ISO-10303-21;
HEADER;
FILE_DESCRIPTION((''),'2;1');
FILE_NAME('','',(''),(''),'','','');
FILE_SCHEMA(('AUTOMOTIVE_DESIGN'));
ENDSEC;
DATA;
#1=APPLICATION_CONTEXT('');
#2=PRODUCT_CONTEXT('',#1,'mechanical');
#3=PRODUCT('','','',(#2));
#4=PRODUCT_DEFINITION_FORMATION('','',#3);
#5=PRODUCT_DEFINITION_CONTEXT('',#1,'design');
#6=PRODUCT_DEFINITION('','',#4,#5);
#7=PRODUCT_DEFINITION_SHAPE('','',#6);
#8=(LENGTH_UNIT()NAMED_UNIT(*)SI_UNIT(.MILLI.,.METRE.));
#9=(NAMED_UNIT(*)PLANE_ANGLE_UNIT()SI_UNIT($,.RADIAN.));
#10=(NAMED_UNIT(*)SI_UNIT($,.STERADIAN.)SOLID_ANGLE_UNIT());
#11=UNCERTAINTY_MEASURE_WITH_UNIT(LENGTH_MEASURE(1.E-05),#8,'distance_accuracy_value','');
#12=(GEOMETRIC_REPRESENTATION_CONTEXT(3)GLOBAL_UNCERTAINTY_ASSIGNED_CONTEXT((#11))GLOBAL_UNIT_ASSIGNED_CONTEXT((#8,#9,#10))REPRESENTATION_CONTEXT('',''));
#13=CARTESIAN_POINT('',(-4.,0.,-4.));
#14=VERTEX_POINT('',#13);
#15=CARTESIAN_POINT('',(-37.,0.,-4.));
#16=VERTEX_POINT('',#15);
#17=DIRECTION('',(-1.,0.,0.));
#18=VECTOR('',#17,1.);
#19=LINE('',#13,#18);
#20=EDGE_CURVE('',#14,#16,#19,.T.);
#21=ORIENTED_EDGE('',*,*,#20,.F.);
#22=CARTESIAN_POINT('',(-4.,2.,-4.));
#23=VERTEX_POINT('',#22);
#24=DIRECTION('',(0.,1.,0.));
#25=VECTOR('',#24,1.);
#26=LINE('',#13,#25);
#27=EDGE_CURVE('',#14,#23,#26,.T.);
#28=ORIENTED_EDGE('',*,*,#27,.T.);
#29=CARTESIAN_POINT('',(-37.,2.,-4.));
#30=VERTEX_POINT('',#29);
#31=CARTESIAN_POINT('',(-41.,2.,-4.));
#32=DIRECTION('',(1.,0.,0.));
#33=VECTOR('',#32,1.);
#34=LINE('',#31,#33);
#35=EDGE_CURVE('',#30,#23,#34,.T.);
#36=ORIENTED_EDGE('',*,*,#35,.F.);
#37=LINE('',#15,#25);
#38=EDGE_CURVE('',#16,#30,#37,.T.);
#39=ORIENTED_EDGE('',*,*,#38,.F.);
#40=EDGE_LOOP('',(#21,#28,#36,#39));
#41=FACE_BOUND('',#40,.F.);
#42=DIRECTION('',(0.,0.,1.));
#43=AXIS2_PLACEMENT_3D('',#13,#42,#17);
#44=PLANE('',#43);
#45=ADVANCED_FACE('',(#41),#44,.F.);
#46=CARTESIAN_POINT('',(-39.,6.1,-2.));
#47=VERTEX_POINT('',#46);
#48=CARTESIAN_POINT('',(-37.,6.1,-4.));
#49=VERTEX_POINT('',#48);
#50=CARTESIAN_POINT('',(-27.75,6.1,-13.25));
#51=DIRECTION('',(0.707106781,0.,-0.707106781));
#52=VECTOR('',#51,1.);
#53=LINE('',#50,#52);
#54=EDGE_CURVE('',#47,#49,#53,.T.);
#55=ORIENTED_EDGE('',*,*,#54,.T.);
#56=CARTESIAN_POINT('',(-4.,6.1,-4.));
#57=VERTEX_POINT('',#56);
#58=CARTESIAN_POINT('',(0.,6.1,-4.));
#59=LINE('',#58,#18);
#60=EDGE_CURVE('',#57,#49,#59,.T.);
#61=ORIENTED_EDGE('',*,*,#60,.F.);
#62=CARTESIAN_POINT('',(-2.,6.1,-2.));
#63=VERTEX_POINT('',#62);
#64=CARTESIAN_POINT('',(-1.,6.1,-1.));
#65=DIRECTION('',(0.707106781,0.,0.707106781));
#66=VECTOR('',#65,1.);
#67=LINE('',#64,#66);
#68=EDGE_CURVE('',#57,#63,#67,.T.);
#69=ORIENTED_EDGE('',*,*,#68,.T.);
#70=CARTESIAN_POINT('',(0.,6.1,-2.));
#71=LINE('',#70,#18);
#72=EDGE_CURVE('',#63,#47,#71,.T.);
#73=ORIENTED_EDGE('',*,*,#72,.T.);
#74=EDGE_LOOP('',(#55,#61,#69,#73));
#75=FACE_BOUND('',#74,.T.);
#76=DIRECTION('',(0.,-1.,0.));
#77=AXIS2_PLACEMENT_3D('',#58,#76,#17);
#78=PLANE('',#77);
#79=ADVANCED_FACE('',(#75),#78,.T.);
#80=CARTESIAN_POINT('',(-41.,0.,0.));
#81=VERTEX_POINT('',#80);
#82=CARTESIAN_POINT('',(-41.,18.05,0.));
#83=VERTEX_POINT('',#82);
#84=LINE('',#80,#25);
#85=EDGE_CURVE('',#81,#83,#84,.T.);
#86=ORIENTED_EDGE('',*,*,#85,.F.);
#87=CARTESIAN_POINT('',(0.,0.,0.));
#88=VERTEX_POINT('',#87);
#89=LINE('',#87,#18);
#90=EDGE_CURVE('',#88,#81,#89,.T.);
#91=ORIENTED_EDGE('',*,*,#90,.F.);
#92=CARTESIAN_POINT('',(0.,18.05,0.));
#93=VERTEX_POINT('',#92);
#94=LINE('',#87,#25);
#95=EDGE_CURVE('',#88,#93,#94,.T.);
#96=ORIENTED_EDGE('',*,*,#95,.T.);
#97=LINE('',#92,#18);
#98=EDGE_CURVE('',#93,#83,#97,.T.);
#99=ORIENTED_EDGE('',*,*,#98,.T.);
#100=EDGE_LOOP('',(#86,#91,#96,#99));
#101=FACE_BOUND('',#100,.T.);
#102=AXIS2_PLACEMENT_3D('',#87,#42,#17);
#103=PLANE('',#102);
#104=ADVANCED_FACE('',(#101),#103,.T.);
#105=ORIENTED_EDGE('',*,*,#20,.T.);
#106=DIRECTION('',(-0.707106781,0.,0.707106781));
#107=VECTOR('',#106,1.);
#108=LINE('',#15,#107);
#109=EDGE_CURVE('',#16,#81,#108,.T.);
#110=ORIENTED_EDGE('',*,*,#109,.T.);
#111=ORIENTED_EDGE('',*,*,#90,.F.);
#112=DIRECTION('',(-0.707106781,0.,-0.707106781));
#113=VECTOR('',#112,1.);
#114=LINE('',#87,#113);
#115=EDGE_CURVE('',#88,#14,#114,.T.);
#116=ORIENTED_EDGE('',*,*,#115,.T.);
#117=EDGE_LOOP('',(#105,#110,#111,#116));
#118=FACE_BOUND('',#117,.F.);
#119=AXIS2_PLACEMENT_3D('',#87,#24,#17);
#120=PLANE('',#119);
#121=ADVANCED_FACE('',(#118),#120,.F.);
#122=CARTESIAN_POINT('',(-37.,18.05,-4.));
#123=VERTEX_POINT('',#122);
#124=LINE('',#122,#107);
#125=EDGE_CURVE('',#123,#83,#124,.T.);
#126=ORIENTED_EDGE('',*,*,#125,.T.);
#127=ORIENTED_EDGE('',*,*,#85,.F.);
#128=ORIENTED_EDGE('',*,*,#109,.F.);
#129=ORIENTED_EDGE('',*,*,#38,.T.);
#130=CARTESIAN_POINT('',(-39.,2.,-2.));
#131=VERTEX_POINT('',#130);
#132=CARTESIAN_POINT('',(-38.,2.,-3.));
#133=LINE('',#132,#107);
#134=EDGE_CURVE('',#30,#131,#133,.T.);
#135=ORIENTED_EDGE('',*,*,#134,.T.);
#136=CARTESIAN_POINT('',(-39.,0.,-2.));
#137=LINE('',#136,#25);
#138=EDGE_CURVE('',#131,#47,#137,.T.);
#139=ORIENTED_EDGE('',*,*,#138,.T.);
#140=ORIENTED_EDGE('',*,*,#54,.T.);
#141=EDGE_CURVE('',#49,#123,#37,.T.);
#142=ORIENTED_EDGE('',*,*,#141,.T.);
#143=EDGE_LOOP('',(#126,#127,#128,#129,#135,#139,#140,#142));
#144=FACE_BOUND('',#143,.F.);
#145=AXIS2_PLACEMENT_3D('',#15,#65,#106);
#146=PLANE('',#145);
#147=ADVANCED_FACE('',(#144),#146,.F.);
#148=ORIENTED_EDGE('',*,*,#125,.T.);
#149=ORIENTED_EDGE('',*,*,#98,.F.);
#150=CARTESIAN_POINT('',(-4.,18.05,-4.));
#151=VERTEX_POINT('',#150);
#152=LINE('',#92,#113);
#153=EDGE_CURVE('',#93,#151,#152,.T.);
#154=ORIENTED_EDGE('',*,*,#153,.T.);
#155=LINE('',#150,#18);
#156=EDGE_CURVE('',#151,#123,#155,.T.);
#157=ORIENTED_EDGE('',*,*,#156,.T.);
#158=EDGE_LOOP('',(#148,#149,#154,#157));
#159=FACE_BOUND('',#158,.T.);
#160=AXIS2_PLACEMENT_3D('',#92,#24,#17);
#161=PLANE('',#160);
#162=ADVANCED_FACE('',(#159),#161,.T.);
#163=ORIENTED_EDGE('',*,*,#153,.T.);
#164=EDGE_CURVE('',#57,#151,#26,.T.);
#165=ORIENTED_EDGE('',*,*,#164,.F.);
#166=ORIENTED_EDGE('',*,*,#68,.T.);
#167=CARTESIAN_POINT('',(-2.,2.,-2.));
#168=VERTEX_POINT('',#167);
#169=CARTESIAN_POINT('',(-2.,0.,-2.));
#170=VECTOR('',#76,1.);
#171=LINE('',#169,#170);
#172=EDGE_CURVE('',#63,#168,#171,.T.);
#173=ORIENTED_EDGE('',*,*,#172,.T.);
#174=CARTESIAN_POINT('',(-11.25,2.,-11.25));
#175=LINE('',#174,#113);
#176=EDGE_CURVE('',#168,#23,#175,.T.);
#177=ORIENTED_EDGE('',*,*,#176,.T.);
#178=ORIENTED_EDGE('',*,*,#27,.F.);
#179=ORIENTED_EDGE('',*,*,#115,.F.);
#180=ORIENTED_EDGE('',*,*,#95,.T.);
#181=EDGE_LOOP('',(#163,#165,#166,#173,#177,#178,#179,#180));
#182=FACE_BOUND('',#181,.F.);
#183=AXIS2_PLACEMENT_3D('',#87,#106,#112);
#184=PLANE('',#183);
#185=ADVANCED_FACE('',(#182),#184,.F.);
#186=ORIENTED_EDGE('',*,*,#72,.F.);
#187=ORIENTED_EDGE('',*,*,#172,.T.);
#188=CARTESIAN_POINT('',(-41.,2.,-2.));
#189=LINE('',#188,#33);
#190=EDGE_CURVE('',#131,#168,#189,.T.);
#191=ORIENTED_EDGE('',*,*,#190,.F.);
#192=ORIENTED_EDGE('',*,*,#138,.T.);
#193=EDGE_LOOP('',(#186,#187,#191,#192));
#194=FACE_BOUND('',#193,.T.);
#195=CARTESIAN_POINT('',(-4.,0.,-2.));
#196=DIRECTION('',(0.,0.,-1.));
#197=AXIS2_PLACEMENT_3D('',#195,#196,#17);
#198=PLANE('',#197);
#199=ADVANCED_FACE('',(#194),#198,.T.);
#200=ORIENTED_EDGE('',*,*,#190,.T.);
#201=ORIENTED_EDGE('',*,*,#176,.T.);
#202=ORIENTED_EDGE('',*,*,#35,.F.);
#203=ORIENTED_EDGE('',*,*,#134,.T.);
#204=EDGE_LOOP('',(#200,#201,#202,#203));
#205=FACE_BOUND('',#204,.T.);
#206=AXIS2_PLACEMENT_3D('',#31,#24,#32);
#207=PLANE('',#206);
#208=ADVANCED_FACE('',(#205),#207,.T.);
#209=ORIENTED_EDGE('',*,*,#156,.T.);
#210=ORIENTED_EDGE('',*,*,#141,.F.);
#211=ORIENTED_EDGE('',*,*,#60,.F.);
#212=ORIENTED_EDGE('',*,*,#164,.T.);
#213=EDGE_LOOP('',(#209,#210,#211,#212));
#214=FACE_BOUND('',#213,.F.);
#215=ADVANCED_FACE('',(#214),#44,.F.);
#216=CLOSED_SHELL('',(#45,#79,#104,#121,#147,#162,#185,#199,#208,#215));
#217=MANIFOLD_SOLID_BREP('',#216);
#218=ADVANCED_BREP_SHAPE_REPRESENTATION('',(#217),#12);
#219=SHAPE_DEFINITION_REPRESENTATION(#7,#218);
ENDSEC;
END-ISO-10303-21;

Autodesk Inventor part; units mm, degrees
ref_plane "XZ Plane" through (0, 0, 0) normal (0, 1, 0) x (-1, 0, 0)
ref_plane "XY Plane" through (0, 0, 0) normal (0, 0, 1) x (1, 0, 0)
sketch "Sketch1" plane through (0, 0, 0) normal (0, 1, 0) x (-1, 0, 0)
  line L0 (0, 0) -> (41, 0)
  line L1 (0, 0) -> (41, 0) construction
  line L2 (4, -4) -> (37, -4)
  line L3 (0, -4) -> (37, -4) construction
  line L4 (37, -4) -> (41, 0)
  line L5 (0, 0) -> (4, -4)
  dimension "d0" = 41
  dimension "d1" = 0
  dimension "d4" = 0
extrude "Extrusion1" add sketch "Sketch1" along normal blind 18.05
sketch "Sketch2" plane through (-4, 0, -4) normal (0, 0, -1) x (-1, 0, 0)
  line L0 (-4, 0) -> (-4, 18.05) projected
  line L1 (37, 0) -> (37, 18.05) projected
  line L2 (-4, 6.1) -> (37, 6.1)
  line L3 (37, 6.1) -> (37, 2)
  line L4 (37, 2) -> (-4, 2)
  line L5 (-4, 2) -> (-4, 6.1)
  line L6 (0, 0) -> (33, 0) projected
  point P0 (-4, 2)
  dimension "d7" = 4.1
  dimension "d8" = 2
extrude "Extrusion2" cut sketch "Sketch2" against normal blind 2
ref_plane "Work Plane1" through (-20.5, 0, 0) normal (1, 0, 0) x (0, 1, 0)
properties part number "PDMS Chamber-Mold-V8-Top_Bottom-Wall Steven"
